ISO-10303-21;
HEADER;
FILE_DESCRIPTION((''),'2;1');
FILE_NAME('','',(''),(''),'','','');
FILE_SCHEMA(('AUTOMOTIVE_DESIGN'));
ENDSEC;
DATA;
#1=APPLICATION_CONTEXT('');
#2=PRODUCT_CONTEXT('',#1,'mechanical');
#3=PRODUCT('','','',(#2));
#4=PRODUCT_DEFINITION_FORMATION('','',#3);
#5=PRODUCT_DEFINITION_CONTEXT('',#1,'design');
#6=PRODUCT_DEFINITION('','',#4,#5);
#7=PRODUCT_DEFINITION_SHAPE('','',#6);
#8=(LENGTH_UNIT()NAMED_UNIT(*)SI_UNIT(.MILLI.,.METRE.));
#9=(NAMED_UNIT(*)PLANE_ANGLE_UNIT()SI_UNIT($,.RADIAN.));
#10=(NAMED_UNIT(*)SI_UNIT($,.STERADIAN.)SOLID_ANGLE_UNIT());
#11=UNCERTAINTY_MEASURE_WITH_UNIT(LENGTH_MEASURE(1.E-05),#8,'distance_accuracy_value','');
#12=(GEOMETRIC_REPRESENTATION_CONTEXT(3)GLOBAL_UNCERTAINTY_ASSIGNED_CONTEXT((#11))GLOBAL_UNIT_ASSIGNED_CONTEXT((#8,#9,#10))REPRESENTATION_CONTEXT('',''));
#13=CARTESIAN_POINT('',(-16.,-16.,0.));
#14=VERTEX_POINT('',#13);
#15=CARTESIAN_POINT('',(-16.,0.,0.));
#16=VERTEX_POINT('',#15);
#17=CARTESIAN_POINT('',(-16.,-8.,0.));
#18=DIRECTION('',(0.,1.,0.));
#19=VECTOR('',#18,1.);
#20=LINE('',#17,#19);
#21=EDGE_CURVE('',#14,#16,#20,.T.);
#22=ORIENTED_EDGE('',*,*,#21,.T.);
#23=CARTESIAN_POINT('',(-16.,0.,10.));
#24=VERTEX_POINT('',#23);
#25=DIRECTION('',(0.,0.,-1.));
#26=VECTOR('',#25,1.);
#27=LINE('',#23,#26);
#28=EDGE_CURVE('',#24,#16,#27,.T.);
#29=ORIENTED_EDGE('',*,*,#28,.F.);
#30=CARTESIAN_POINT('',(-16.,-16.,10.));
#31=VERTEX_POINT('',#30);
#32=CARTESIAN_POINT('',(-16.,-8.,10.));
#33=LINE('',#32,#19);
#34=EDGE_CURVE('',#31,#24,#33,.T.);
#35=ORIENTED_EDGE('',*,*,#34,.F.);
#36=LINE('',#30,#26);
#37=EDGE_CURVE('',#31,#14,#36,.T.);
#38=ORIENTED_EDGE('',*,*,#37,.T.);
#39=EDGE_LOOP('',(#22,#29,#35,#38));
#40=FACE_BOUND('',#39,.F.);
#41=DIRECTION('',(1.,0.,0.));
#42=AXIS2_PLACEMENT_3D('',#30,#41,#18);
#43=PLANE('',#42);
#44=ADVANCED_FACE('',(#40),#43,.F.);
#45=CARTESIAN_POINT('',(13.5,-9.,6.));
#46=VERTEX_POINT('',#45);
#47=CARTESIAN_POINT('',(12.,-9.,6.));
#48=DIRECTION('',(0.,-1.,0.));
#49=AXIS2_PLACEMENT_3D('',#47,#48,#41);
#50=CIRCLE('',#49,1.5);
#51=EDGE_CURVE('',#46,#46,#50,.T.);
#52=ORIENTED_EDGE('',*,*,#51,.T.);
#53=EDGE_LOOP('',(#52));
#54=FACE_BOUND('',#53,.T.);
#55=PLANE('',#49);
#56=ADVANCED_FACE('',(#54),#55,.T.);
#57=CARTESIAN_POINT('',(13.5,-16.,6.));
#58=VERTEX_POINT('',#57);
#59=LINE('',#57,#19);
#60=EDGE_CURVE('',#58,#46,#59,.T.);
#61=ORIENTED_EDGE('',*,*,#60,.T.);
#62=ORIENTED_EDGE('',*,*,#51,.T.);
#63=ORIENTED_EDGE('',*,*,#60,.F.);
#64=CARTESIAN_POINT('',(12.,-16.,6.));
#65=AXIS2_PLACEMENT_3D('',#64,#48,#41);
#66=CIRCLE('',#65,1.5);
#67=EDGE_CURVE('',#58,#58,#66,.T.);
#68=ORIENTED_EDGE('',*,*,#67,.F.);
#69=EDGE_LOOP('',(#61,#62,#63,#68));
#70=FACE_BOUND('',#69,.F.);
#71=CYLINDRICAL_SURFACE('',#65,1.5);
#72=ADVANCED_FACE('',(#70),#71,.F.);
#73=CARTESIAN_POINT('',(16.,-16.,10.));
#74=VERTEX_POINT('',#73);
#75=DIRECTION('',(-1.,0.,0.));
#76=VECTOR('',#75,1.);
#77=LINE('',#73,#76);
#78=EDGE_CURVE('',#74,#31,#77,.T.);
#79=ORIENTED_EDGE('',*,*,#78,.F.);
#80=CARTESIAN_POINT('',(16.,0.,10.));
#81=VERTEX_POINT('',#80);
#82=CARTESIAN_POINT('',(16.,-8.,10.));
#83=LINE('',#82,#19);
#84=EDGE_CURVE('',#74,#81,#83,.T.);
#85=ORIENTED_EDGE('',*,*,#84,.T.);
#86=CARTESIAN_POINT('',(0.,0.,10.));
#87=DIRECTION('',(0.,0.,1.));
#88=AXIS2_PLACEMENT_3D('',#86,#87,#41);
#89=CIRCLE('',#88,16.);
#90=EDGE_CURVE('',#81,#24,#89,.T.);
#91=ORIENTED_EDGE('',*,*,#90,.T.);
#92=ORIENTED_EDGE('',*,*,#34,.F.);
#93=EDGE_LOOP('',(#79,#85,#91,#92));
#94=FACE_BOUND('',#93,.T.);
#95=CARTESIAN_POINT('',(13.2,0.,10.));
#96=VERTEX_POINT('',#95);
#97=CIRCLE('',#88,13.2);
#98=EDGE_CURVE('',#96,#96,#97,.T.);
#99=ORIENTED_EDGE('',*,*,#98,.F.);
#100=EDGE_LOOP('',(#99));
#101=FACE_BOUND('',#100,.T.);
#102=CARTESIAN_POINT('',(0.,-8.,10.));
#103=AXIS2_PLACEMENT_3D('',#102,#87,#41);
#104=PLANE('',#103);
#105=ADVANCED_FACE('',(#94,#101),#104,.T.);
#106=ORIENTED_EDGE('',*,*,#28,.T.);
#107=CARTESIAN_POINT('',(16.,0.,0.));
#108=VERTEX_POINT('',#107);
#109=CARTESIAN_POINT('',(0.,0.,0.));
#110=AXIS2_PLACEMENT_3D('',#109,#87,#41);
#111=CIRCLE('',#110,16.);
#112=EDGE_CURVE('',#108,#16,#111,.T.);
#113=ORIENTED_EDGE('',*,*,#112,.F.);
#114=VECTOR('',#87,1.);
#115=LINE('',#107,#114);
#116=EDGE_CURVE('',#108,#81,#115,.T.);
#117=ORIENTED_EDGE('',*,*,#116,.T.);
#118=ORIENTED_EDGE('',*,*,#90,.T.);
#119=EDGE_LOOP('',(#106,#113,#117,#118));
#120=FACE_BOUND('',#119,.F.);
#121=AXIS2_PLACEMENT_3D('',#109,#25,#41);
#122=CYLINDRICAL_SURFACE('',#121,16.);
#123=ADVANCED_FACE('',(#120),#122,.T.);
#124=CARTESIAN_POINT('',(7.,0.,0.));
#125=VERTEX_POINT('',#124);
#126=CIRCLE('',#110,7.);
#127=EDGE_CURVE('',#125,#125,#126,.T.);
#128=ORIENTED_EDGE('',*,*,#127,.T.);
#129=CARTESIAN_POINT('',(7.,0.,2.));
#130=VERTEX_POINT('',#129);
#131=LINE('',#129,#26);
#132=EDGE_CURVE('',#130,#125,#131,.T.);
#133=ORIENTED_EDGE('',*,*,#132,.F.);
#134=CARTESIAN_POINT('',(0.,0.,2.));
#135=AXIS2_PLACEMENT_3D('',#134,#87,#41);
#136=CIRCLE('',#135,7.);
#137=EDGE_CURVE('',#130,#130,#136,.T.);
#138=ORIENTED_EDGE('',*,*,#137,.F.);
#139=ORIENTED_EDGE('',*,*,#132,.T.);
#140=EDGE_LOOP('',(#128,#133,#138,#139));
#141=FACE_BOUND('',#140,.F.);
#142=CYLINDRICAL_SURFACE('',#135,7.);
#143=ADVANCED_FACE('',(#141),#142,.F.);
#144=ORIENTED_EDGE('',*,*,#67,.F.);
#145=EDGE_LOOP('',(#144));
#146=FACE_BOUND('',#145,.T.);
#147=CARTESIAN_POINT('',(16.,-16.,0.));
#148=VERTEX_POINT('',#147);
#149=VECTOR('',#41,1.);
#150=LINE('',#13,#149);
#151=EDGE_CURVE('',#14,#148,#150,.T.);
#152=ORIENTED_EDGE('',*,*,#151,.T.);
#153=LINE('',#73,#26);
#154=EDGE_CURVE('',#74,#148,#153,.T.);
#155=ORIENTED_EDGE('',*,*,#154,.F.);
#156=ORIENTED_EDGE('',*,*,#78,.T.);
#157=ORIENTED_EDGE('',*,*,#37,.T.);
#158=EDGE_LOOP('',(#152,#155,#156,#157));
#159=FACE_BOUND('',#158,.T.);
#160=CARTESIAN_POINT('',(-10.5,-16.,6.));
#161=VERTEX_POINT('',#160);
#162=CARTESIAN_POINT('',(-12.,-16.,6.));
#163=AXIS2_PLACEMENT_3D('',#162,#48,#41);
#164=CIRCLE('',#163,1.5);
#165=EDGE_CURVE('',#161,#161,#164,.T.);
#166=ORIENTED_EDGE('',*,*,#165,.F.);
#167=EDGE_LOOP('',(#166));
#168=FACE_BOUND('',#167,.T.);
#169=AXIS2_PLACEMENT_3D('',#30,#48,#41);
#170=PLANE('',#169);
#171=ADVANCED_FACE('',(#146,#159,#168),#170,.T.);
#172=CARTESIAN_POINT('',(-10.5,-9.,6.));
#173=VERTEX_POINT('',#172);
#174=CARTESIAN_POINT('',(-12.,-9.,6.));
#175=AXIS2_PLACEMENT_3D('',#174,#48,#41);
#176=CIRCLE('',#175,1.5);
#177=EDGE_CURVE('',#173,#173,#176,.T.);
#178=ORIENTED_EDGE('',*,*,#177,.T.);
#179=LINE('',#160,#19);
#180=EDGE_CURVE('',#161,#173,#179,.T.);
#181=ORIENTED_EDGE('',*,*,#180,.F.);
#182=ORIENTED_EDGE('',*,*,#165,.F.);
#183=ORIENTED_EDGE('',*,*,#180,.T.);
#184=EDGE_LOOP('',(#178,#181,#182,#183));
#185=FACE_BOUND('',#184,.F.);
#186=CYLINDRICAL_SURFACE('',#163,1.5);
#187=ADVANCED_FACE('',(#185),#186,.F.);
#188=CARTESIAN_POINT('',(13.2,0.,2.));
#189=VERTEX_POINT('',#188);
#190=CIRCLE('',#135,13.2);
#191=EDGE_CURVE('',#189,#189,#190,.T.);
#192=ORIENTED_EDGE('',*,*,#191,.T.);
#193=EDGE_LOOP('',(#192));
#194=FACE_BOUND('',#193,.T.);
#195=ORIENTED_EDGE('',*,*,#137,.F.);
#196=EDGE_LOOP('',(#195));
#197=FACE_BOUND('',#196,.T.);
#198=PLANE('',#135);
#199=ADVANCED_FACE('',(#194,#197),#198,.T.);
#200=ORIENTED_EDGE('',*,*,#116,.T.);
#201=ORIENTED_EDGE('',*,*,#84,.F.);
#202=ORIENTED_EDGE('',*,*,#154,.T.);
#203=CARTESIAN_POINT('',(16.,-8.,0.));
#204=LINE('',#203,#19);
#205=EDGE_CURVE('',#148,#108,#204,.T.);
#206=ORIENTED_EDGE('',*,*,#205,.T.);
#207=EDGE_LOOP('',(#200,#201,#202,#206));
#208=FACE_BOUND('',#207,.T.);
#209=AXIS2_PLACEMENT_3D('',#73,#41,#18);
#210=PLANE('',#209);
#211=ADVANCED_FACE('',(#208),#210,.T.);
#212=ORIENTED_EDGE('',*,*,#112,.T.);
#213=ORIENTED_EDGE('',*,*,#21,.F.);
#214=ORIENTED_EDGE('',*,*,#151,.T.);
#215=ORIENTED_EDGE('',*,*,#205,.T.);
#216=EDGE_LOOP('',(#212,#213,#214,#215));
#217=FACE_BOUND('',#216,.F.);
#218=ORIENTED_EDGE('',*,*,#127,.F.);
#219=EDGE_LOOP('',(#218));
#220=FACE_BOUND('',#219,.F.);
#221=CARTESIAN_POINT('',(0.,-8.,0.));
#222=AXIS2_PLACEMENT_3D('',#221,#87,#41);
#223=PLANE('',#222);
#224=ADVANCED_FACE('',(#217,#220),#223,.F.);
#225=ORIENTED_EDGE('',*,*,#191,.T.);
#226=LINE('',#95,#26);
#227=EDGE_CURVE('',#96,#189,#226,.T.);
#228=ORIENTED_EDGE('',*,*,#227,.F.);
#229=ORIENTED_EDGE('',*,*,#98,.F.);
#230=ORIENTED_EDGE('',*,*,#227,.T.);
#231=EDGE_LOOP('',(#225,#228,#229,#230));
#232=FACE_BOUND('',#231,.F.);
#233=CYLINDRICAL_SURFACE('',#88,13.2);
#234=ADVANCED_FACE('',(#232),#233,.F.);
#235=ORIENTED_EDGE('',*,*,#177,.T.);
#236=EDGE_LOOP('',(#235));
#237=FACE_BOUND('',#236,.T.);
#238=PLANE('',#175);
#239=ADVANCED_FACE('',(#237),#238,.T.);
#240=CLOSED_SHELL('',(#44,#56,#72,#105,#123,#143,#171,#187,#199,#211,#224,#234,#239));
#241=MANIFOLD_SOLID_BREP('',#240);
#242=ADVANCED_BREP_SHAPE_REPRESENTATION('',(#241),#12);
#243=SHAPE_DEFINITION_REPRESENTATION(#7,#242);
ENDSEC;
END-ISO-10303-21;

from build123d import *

# Parameters (mm, degrees)
F0_R     = 16
F1_DEPTH = 10
F2_W     = 32
F2_H     = 16
F3_DEPTH = 10
F4_R     = 13.2
F5_DEPTH = 8
F6_R     = 7
F7_DEPTH = 25
F8_R     = 1.5
F9_DEPTH = 7


with BuildPart() as f1:
    # F0 (on Top) → F1 (new body)
    with BuildSketch(Plane.XY):
        Circle(F0_R)
    extrude(amount=F1_DEPTH)

    # F2 (on face) → F3 (join)
    with BuildSketch(Plane.XY.offset(10)):
        with Locations((0, -8)):
            Rectangle(F2_W, F2_H)
    extrude(amount=-F3_DEPTH)

    # F4 (on face) → F5 (cut)
    with BuildSketch(Plane.XY.offset(10)):
        Circle(F4_R)
    extrude(amount=-F5_DEPTH, mode=Mode.SUBTRACT)

    # F6 (on face) → F7 (cut)
    with BuildSketch(Plane.XY.offset(2)):
        Circle(F6_R)
    extrude(amount=-F7_DEPTH, mode=Mode.SUBTRACT)

    # F8 (on face) → F9 (cut)
    with BuildSketch(Plane.XZ.offset(16)):
        with Locations((-12, 6)):
            Circle(F8_R)
        with Locations((12, 6)):
            Circle(F8_R)
    extrude(amount=-F9_DEPTH, mode=Mode.SUBTRACT)


solid = f1.part
